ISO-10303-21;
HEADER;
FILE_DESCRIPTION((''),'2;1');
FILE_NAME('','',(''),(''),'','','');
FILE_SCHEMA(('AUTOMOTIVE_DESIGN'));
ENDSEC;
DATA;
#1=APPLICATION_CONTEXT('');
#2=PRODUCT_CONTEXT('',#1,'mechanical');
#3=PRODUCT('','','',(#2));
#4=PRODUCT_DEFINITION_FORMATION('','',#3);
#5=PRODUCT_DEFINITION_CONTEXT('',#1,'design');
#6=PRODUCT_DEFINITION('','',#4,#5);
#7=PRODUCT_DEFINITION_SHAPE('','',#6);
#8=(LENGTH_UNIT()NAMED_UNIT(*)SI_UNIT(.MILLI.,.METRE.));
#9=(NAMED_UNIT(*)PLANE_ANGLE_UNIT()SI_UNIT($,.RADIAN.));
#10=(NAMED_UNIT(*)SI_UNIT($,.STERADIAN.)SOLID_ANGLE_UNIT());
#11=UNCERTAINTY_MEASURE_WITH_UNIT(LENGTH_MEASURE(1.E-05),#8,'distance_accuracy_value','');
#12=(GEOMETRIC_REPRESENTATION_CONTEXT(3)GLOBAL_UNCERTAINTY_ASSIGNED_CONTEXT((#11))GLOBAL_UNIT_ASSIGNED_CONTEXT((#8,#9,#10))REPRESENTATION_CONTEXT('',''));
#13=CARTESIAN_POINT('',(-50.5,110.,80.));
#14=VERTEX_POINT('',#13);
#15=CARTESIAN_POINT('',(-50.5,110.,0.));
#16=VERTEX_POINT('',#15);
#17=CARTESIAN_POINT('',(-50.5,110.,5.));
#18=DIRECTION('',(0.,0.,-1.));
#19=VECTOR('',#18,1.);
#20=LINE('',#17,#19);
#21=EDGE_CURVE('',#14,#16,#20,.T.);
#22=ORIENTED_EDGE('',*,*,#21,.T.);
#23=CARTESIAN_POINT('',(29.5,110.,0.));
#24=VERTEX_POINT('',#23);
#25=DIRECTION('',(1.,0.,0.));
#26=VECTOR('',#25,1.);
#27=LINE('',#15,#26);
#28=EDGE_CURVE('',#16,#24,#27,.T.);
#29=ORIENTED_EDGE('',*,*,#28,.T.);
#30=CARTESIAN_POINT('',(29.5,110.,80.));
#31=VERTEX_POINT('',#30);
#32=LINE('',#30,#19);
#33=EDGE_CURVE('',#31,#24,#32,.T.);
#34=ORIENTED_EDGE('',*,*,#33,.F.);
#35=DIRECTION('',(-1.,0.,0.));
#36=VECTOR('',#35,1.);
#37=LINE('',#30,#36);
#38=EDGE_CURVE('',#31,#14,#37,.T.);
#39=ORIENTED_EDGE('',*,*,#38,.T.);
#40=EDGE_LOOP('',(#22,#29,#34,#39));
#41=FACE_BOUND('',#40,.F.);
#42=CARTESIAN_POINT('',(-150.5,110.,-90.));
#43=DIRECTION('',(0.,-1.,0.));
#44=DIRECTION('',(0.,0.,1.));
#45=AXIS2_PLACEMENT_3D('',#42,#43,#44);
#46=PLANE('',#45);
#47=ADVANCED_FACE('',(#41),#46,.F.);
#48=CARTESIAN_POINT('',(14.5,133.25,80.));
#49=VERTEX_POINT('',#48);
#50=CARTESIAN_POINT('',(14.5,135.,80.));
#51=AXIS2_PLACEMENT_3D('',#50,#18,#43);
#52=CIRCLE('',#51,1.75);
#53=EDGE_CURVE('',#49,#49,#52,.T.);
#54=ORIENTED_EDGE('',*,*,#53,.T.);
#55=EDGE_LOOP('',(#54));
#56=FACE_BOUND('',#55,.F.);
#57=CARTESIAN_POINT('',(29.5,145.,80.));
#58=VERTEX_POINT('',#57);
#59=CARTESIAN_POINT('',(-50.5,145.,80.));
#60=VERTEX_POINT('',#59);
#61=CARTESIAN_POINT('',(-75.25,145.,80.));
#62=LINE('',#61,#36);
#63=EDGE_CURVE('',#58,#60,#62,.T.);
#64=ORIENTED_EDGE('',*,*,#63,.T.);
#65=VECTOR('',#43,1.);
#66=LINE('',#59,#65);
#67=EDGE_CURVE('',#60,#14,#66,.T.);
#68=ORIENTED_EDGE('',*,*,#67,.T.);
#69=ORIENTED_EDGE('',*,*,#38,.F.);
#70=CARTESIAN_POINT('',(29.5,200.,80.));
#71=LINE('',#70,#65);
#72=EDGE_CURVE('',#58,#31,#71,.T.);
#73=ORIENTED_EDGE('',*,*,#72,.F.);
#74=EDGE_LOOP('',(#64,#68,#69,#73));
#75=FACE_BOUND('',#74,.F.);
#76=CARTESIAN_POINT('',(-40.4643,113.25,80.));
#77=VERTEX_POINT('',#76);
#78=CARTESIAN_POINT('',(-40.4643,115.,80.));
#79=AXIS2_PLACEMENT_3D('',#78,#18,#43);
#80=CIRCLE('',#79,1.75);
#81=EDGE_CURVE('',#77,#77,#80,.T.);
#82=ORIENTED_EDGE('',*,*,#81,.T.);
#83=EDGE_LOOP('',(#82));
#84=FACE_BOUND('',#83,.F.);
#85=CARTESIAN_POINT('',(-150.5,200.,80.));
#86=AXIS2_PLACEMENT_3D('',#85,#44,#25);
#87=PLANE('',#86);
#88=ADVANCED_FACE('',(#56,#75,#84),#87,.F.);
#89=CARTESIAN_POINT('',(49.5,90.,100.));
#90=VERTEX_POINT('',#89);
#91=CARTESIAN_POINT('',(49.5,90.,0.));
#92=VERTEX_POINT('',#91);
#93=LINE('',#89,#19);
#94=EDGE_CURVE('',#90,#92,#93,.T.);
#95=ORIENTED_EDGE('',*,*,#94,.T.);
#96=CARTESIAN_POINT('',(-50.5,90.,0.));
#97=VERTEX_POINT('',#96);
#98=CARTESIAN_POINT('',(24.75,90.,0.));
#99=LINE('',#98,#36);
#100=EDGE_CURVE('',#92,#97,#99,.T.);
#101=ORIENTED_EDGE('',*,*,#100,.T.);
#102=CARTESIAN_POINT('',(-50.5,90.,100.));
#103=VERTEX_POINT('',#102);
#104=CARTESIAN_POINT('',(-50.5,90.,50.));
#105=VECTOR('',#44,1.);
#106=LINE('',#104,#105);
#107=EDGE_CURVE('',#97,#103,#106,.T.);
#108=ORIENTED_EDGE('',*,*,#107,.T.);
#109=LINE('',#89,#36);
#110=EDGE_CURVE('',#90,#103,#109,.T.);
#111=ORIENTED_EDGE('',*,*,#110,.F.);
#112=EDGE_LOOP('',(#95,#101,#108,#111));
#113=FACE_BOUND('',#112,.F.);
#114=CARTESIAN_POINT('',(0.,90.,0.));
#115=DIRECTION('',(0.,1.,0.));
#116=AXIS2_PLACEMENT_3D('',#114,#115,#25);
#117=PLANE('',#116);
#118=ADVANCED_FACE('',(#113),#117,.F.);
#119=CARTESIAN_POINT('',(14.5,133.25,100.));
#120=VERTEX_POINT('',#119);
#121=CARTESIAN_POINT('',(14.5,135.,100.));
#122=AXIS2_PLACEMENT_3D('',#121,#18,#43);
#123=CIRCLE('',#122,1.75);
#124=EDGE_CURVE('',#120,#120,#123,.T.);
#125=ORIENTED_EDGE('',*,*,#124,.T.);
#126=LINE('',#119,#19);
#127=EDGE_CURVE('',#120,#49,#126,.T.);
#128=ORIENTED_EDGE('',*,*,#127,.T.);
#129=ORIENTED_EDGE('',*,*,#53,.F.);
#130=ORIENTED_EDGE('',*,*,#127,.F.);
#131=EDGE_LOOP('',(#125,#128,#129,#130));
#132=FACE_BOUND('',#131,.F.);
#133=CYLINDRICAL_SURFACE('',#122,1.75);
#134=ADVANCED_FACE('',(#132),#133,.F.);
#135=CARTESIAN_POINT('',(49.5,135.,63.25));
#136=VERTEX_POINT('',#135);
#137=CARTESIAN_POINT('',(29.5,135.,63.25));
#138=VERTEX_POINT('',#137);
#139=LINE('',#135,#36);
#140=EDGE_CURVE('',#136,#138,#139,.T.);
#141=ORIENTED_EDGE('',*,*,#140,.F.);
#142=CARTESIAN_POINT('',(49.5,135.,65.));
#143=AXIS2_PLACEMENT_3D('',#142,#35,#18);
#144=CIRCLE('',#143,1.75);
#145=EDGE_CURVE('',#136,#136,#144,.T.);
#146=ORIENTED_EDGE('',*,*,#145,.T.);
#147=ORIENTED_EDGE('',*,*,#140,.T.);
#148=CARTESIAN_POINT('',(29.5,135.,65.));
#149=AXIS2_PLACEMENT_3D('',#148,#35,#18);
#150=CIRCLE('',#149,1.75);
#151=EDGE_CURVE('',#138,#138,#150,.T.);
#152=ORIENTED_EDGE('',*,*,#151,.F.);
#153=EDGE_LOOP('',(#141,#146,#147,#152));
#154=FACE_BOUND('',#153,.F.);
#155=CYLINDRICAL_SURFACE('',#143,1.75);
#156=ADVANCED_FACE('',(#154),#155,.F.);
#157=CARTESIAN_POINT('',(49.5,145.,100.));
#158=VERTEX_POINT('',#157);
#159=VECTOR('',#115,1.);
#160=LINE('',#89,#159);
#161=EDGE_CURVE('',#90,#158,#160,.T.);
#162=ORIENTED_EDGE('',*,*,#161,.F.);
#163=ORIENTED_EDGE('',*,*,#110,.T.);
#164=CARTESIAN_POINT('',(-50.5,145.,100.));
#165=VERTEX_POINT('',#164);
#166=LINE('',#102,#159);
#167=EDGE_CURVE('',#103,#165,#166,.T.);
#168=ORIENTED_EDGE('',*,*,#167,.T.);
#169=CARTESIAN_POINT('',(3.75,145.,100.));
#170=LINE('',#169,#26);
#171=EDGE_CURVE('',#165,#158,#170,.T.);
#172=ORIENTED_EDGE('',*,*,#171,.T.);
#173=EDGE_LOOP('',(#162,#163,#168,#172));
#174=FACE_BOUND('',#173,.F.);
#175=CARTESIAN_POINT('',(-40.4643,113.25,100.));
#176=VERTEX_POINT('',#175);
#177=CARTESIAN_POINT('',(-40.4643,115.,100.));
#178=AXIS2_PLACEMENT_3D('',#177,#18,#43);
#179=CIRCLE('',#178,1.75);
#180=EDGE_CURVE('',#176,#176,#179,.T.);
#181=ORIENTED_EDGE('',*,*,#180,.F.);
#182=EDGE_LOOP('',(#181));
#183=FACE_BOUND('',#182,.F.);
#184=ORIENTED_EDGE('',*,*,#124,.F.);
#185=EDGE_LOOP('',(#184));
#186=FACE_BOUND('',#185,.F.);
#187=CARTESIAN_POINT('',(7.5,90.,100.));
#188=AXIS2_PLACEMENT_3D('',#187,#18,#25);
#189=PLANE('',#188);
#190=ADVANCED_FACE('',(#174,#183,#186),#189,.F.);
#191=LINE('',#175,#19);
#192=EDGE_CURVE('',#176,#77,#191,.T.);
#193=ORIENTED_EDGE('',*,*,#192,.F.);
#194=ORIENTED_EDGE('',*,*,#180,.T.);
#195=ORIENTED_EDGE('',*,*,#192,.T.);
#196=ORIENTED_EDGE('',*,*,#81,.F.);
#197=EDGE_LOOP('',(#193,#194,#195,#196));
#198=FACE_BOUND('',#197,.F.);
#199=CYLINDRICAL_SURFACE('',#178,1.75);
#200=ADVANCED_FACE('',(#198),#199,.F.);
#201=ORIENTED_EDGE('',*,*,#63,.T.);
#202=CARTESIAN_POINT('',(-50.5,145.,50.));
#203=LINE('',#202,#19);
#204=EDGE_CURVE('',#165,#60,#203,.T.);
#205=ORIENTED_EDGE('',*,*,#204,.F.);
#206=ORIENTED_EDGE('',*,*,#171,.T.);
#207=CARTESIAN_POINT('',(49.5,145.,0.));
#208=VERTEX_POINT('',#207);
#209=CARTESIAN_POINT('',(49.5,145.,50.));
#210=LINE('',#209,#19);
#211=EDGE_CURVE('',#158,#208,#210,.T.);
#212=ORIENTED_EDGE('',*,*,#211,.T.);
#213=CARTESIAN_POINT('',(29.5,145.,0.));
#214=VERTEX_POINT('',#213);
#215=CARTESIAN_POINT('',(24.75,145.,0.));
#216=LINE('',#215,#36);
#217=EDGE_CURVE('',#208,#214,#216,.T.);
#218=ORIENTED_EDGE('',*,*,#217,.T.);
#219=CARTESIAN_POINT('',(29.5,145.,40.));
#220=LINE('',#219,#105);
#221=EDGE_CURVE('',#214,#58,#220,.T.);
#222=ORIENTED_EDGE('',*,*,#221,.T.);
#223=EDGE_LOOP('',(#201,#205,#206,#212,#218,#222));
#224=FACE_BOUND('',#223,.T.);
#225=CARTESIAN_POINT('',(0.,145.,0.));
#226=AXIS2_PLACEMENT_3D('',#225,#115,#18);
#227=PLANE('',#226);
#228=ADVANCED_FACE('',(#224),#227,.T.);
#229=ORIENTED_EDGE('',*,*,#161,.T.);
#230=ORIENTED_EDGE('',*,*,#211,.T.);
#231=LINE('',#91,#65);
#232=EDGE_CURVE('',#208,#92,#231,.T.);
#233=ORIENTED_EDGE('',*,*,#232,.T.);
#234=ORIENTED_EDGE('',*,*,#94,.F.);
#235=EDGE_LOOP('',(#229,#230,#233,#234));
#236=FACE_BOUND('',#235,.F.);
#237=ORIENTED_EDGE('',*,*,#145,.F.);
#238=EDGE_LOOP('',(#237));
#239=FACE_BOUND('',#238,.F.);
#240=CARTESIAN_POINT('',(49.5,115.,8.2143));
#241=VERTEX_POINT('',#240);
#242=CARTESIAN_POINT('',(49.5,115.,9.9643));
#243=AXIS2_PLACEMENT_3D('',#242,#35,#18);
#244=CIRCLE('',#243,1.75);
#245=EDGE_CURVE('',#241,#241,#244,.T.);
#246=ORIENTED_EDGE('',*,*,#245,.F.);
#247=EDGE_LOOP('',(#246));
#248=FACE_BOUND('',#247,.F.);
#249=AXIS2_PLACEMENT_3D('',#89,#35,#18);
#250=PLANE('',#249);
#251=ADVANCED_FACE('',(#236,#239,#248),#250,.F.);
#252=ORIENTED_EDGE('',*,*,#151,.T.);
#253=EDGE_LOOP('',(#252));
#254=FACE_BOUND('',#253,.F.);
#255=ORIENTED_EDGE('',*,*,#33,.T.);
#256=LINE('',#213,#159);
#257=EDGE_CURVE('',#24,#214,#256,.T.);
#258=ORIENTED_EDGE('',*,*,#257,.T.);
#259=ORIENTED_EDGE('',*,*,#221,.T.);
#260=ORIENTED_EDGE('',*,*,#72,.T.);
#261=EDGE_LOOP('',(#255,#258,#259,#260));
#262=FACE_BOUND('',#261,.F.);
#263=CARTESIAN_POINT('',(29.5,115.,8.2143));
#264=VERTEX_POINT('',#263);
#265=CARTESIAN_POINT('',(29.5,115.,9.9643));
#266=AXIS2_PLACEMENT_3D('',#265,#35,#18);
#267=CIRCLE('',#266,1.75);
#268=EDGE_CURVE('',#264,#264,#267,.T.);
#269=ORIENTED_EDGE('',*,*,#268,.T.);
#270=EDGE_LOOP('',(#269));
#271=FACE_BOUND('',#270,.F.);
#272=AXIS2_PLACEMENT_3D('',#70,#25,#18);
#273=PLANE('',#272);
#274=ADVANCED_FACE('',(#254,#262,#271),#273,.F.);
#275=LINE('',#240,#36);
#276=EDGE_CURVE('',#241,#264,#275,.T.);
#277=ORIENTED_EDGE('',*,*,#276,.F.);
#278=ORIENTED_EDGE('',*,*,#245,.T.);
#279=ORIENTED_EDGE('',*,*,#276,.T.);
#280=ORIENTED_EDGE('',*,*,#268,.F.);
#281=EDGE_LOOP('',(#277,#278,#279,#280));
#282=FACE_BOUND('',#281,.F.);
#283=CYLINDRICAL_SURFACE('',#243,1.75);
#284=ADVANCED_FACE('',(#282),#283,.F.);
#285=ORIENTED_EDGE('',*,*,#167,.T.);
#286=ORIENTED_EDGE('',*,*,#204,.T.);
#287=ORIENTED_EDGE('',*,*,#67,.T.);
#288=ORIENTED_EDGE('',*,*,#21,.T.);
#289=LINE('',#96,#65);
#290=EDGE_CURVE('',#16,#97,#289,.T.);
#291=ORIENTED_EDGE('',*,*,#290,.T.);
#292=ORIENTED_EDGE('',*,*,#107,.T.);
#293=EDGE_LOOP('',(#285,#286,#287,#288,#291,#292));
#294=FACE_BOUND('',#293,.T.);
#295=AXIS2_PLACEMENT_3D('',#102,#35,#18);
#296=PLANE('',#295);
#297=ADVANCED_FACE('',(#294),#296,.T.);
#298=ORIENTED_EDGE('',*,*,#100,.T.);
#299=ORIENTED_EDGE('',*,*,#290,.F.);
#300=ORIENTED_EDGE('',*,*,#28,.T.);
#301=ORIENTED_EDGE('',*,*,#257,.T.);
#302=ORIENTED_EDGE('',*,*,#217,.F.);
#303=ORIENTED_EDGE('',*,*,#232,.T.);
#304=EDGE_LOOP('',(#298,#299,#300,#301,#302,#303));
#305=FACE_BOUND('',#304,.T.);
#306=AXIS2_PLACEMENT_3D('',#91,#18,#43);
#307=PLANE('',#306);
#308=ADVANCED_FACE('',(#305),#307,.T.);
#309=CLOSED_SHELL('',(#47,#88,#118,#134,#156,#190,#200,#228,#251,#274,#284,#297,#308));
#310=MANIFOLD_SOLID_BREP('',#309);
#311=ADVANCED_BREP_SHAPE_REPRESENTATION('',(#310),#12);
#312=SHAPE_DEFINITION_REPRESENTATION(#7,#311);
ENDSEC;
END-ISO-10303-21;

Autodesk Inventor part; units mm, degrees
ref_plane "YZ Plane" through (0, 0, 0) normal (1, 0, 0) x (0, 1, 0)
ref_plane "XZ Plane" through (0, 0, 0) normal (0, 1, 0) x (-1, 0, 0)
ref_plane "XY Plane" through (0, 0, 0) normal (0, 0, 1) x (1, 0, 0)
sketch "Boceto2" plane through (0, 0, 0) normal (0, 1, 0) x (-1, 0, 0)
  line L0 (7.5, 100) -> (-7.5, 100)
  line L1 (-7.5, 100) -> (-7.5, -100)
  line L2 (-7.5, -100) -> (7.5, -100)
  line L3 (7.5, -100) -> (7.5, 100)
  line L4 (7.5, 100) -> (-7.5, -100) construction
  line L5 (-7.5, 100) -> (7.5, -100) construction
  point P0 (0, 0)
  dimension "d7" = 15
  dimension "d8" = 200
extrude "Extrusión1" add sketch "Boceto2" along normal blind 10
sketch "Boceto3" plane through (0, 10, 0) normal (0, 1, 0) x (1, 0, 0)
  circle A0 centre (3.25, 58.25) radius 1.75
  line L0 (5, 50) -> (-5, 50)
  line L1 (-5, 50) -> (-5, 60)
  line L2 (-5, 60) -> (5, 60)
  line L3 (5, 60) -> (5, 50)
  line L4 (5, 50) -> (-5, 60) construction
  line L5 (-5, 50) -> (5, 60) construction
  circle A1 centre (-3.25, 51.75) radius 1.75
  line L6 (7.5, 100) -> (-7.5, 100) projected
  line L7 (-7.5, 0) -> (3.408, 0)
  line L8 (5, -60) -> (5, -50)
  line L9 (-5, -60) -> (5, -60)
  line L10 (5, -50) -> (-5, -50)
  line L11 (-5, -50) -> (-5, -60)
  line L12 (-5, -50) -> (5, -60) construction
  circle A2 centre (-3.25, -51.75) radius 1.75
  line L13 (5, -50) -> (-5, -60) construction
  circle A3 centre (3.25, -58.25) radius 1.75
  line L14 (-7.5, -100) -> (7.5, -100) projected
  point P0 (0, 0)
  point P1 (-5, 55)
  point P2 (0, 100)
  point P3 (-5, -55)
  dimension "d11" = 3.5
  dimension "d12" = 1.75
  dimension "d13" = 1.75
  dimension "d14" = 1.75
  dimension "d15" = 1.75
  dimension "d16" = 10
  dimension "d17" = 10
  dimension "d19" = 40
  dimension "d81" = 40
hole "Agujero1" at (3.25, 10, 58.25) at (-3.25, 10, 51.75) at (3.25, 10, -58.25) at (-3.25, 10, -51.75) direction (0, -1, 0) diameter 3.5 end through all
sketch "Boceto4" plane through (0, 10, 0) normal (0, 1, 0) x (1, 0, 0)
  line L0 (-7.5, 100) -> (-7.5, -100) projected
  line L1 (-7.5, -100) -> (7.5, -100)
  line L2 (7.5, -100) -> (7.5, -80)
  line L3 (7.5, -80) -> (-7.5, -80)
  line L4 (-7.5, -80) -> (-7.5, -100)
  line L5 (-7.5, 0) -> (1.0116, 0)
  line L6 (-7.5, -100) -> (-7.5, 100)
  line L7 (-7.5, 100) -> (7.5, 100)
  line L8 (7.5, 100) -> (7.5, 80)
  line L9 (7.5, 80) -> (-7.5, 80)
  line L10 (-7.5, 80) -> (-7.5, 100)
  point P0 (0, 0)
  point P1 (-7.5, -80)
  point P2 (-7.5, 80)
  dimension "d27" = 15
  dimension "d28" = 20
extrude "Extrusión2" add sketch "Boceto4" along normal blind 80
sketch "Boceto5" plane through (0, 90, 0) normal (0, 1, 0) x (1, 0, 0)
  line L0 (-7.5, -100) -> (7.5, -100) projected
  line L1 (-7.5, -100) -> (49.5, -100)
  line L2 (49.5, -100) -> (49.5, 100)
  line L3 (49.5, 100) -> (-7.5, 100)
  line L4 (-7.5, 100) -> (-7.5, -100)
  line L5 (49.5, -100) -> (-150.5, -100)
  line L6 (-150.5, -100) -> (-150.5, 100)
  line L7 (-150.5, 100) -> (49.5, 100)
  line L8 (49.5, 100) -> (49.5, -100)
  point P0 (0, 0)
  point P1 (-7.5, 100)
  dimension "d31" = 57
  dimension "d32" = 200
  dimension "d75" = 200
extrude "Extrusión3" add sketch "Boceto5" along normal blind 110
sketch "Boceto6" plane through (0, 200, 0) normal (0, 1, 0) x (1, 0, 0)
  line L0 (49.5, 100) -> (7.5, 100) projected
  line L1 (49.5, 100) -> (29.5, 100)
  line L2 (29.5, 100) -> (29.5, 80)
  line L3 (7.5, -100) -> (49.5, -100) projected
  line L4 (28.5, -100) -> (28.5, -80)
  line L5 (-150.5, 100) -> (-150.5, -100) projected
  line L6 (29.5, 80) -> (-150.5, 80)
  line L7 (-150.5, 80) -> (-150.5, -80)
  line L8 (-150.5, -80) -> (29.5, -80)
  line L9 (29.5, -80) -> (29.5, 80)
  line L10 (-150.5, -100) -> (49.5, -100) projected
  point P0 (7.5, 80)
  point P1 (-50.5, -100)
  dimension "d36" = 20
  dimension "d37" = 20
  dimension "d38" = 20
  dimension "d77" = 20
extrude "Extrusión4" cut sketch "Boceto6" against normal blind 90 contours L8 L5 L6 L9
sketch "Boceto7" plane through (-150.5, 90, -100) normal (-1, 0, 0) x (0, 0, 1)
  line L0 (0, 110) -> (20, 110) projected
  line L1 (20, 110) -> (10, 110)
  line L2 (10, 110) -> (10, 20)
  line L3 (10, 20) -> (20, 20)
  line L4 (20, 20) -> (20, 110)
  line L5 (180, 110) -> (180, 20) projected
  line L6 (180, 110) -> (190, 110)
  line L7 (190, 110) -> (190, 20)
  line L8 (190, 20) -> (180, 20)
  line L9 (180, 20) -> (180, 110)
  line L10 (200, 0) -> (200, 110) projected
  line L11 (0, 0) -> (0, 110) projected
  line L12 (0, 110) -> (10, 110)
  line L13 (10, 110) -> (10, 20)
  line L14 (10, 20) -> (0, 20)
  line L15 (0, 20) -> (0, 110)
  line L16 (200, 110) -> (0, 110) projected
  line L17 (200, 110) -> (190, 110)
  line L18 (190, 110) -> (190, 20)
  line L19 (190, 20) -> (200, 20)
  line L20 (200, 20) -> (200, 110)
  point P0 (100, -90)
  dimension "d63" = 10
  dimension "d65" = 10
  dimension "d76" = 10
extrude "Extrusión5" cut sketch "Boceto7" against normal blind 30 contours L6 L7 L8 L5 | L0 L4 L3 L2
sketch "Boceto8" plane through (-7.5, 0, 100) normal (0, 0, 1) x (1, 0, 0)
  line L0 (-113, 110) -> (-113, 200) projected
  line L1 (-113, 200) -> (-113, 110)
  circle A0 centre (-124.75, 183.25) radius 1.75
  line L2 (-123, 175) -> (-133, 175)
  line L3 (-133, 175) -> (-133, 185)
  line L4 (-133, 185) -> (-123, 185)
  line L5 (-123, 185) -> (-123, 175)
  line L6 (-123, 175) -> (-133, 185) construction
  line L7 (-133, 175) -> (-123, 185) construction
  circle A1 centre (-131.25, 176.75) radius 1.75
  line L8 (-143, 200) -> (57, 200) projected
  line L9 (-143, 90) -> (-143, 200) projected
  line L10 (-113, 155) -> (-128, 155)
  line L11 (-123, 125) -> (-123, 135)
  line L12 (-133, 125) -> (-123, 125)
  line L13 (-123, 135) -> (-133, 125) construction
  line L14 (-123, 135) -> (-133, 135)
  line L15 (-133, 135) -> (-123, 125) construction
  circle A2 centre (-131.25, 133.25) radius 1.75
  line L16 (-133, 135) -> (-133, 125)
  circle A3 centre (-124.75, 126.75) radius 1.75
  line L17 (-143, 110) -> (-113, 110) projected
  point P0 (7.5, 0)
  point P1 (-133, 180)
  point P2 (-123, 180)
  point P3 (-133, 130)
  point P4 (-123, 130)
  dimension "d45" = 3.5
  dimension "d46" = 1.75
  dimension "d47" = 1.75
  dimension "d48" = 1.75
  dimension "d49" = 1.75
  dimension "d50" = 10
  dimension "d51" = 10
  dimension "d52" = 15
  dimension "d53" = 10
  dimension "d54" = 10
  dimension "d55" = 15
hole "Agujero2" at (-132.25, 183.25, 100) at (-138.75, 176.75, 100) at (-138.75, 133.25, 100) at (-132.25, 126.75, 100) direction (0, 0, -1) diameter 3.5 end through all
ref_plane "Plano de trabajo1" through (-150.5, 90, 100) normal (0, -1, 0) x (1, 0, 0)
split "Dividir1" plane through (-150.5, 90, 100) removes the side toward (0, -1, 0)
ref_plane "Plano de trabajo2" through (49.5, 90, 0) normal (0, 0, -1) x (-1, 0, 0)
ref_plane "Plano de trabajo3" through (-50.5, 90, 100) normal (1, 0, 0) x (0, 0, -1)
ref_plane "Plano de trabajo4" through (0, 145, 0) normal (0, 1, 0) x (1, 0, 0)
sketch "Boceto9" plane through (-150.5, 90, 100) normal (0, 0, 1) x (1, 0, 0)
  line L0 (85.0357, 30) -> (115.0357, 30)
  circle A0 centre (110.0357, 25) radius 1.75
  line L1 (90.0357, 25) -> (110.0357, 25)
  line L2 (115.0357, 30) -> (115.0357, 20)
  circle A1 centre (90.0357, 25) radius 1.75
  line L3 (85.0357, 20) -> (115.0357, 30) construction
  line L4 (85.0357, 30) -> (115.0357, 20) construction
  line L5 (85.0357, 20) -> (85.0357, 30)
  line L6 (115.0357, 20) -> (85.0357, 20)
  line L7 (200, 0) -> (200, 110)
  line L8 (200, 55) -> (88.2857, 55)
  circle A2 centre (90.0357, 85) radius 1.75
  line L9 (85.0357, 80) -> (115.0357, 80)
  line L10 (85.0357, 80) -> (115.0357, 90) construction
  line L11 (85.0357, 90) -> (85.0357, 80)
  line L12 (115.0357, 90) -> (85.0357, 90)
  line L13 (85.0357, 90) -> (115.0357, 80) construction
  circle A3 centre (110.0357, 85) radius 1.75
  line L14 (90.0357, 85) -> (110.0357, 85)
  line L15 (115.0357, 80) -> (115.0357, 90)
  line L16 (100.0357, 55) -> (185.099, 55) construction
  line L17 (160, 70) -> (160, 40)
  circle A4 centre (165, 45) radius 1.75
  line L18 (170, 40) -> (170, 70)
  line L19 (170, 70) -> (160, 40) construction
  line L20 (160, 40) -> (170, 40)
  line L21 (160, 70) -> (170, 40) construction
  circle A5 centre (165, 65) radius 1.75
  line L22 (165, 65) -> (165, 45)
  line L23 (170, 70) -> (160, 70)
  circle A6 centre (55, 65) radius 1.75
  line L24 (60, 70) -> (60, 40)
  line L25 (60, 40) -> (50, 40)
  circle A7 centre (55, 45) radius 1.75
  line L26 (55, 65) -> (55, 45)
  line L27 (60, 70) -> (50, 40) construction
  line L28 (50, 40) -> (50, 70)
  line L29 (50, 70) -> (60, 40) construction
  line L30 (50, 70) -> (60, 70)
  line L31 (30, 110) -> (30, 20)
  point P0 (150.5, -90)
  point P1 (100.0357, 34.7141)
  point P2 (100.0357, 34.7141)
  point P3 (85.0357, 36.6749)
  point P4 (115.0357, 25)
  point P5 (115.0357, 85)
  point P6 (189.1833, 40)
  point P7 (165, 70)
  point P8 (70.0357, 40)
  point P9 (55, 70)
  dimension "d89" = 10
  dimension "d90" = 30
  dimension "d91" = 5
  dimension "d92" = 5
  dimension "d93" = 5
  dimension "d94" = 5
  dimension "d95" = 30
  dimension "d96" = 5
  dimension "d97" = 5
  dimension "d98" = 3.5
  dimension "d99" = 5
  dimension "d100" = 5
  dimension "d101" = 5
  dimension "d102" = 5
  dimension "d103" = 5
  dimension "d104" = 20
hole "Agujero3" at (-60.4643, 175, 100) at (-40.4643, 175, 100) at (14.5, 155, 100) at (-95.5, 155, 100) at (-95.5, 135, 100) at (-60.4643, 115, 100) at (-40.4643, 115, 100) at (14.5, 135, 100) direction (0, 0, -1) diameter 3.5 end through all
sketch "Boceto10" plane through (49.5, 90, 100) normal (1, 0, 0) x (0, 0, -1)
  line L0 (85.0357, 30) -> (115.0357, 30)
  circle A0 centre (110.0357, 25) radius 1.75
  line L1 (90.0357, 25) -> (110.0357, 25)
  line L2 (115.0357, 30) -> (115.0357, 20)
  circle A1 centre (90.0357, 25) radius 1.75
  line L3 (85.0357, 30) -> (115.0357, 20) construction
  line L4 (85.0357, 20) -> (85.0357, 30)
  line L5 (115.0357, 20) -> (85.0357, 20)
  line L6 (85.0357, 20) -> (115.0357, 30) construction
  line L7 (160, 70) -> (160, 40)
  circle A2 centre (165, 45) radius 1.75
  line L8 (160, 40) -> (170, 40)
  line L9 (165, 65) -> (165, 45)
  circle A3 centre (165, 65) radius 1.75
  line L10 (170, 70) -> (160, 40) construction
  line L11 (170, 70) -> (160, 70)
  line L12 (160, 70) -> (170, 40) construction
  line L13 (170, 40) -> (170, 70)
  line L14 (40, 70) -> (40, 40)
  line L15 (35, 65) -> (35, 45)
  circle A4 centre (35, 65) radius 1.75
  line L16 (40, 40) -> (30, 40)
  line L17 (40, 70) -> (30, 40) construction
  line L18 (30, 70) -> (40, 40) construction
  line L19 (30, 70) -> (40, 70)
  line L20 (30, 40) -> (30, 70)
  circle A5 centre (35, 45) radius 1.75
  circle A6 centre (90.0357, 85) radius 1.75
  line L21 (85.0357, 80) -> (115.0357, 80)
  line L22 (115.0357, 80) -> (115.0357, 90)
  circle A7 centre (110.0357, 85) radius 1.75
  line L23 (90.0357, 85) -> (110.0357, 85)
  line L24 (85.0357, 80) -> (115.0357, 90) construction
  line L25 (85.0357, 90) -> (85.0357, 80)
  line L26 (115.0357, 90) -> (85.0357, 90)
  line L27 (85.0357, 90) -> (115.0357, 80) construction
  line L28 (0, 0) -> (0, 110)
  line L29 (200, 0) -> (200, 110)
  point P0 (100, -90)
  point P1 (100.0357, 34.7141)
  point P2 (100.0357, 34.7141)
  point P3 (85.0357, 36.6749)
  point P4 (115.0357, 25)
  point P5 (88.2857, 55)
  point P6 (189.1833, 40)
  point P7 (165, 70)
  point P8 (70.0357, 40)
  point P9 (35, 70)
  point P10 (115.0357, 85)
  point P11 (100.0357, 55)
  dimension "d112" = 10
  dimension "d113" = 30
  dimension "d114" = 5
  dimension "d115" = 5
  dimension "d116" = 5
  dimension "d117" = 5
  dimension "d118" = 5
  dimension "d119" = 5
  dimension "d120" = 3.5
  dimension "d121" = 5
  dimension "d122" = 5
  dimension "d123" = 5
  dimension "d124" = 5
  dimension "d125" = 5
  dimension "d126" = 30
  dimension "d127" = 30
hole "Agujero4" at (49.5, 175, 9.9643) at (49.5, 175, -10.0357) at (49.5, 155, 65) at (49.5, 135, 65) at (49.5, 115, 9.9643) at (49.5, 115, -10.0357) at (49.5, 135, -65) at (49.5, 155, -65) direction (-1, 0, 0) diameter 3.5 end through all
split "Dividir2" plane through (-50.5, 90, 100) removes the side toward (-1, 0, 0)
split "Dividir3" plane through (0, 145, 0) removes the side toward (0, 1, 0)
split "Dividir4" plane through (49.5, 90, 0) removes the side toward (0, 0, -1)
properties part number "container_front_head_2"
